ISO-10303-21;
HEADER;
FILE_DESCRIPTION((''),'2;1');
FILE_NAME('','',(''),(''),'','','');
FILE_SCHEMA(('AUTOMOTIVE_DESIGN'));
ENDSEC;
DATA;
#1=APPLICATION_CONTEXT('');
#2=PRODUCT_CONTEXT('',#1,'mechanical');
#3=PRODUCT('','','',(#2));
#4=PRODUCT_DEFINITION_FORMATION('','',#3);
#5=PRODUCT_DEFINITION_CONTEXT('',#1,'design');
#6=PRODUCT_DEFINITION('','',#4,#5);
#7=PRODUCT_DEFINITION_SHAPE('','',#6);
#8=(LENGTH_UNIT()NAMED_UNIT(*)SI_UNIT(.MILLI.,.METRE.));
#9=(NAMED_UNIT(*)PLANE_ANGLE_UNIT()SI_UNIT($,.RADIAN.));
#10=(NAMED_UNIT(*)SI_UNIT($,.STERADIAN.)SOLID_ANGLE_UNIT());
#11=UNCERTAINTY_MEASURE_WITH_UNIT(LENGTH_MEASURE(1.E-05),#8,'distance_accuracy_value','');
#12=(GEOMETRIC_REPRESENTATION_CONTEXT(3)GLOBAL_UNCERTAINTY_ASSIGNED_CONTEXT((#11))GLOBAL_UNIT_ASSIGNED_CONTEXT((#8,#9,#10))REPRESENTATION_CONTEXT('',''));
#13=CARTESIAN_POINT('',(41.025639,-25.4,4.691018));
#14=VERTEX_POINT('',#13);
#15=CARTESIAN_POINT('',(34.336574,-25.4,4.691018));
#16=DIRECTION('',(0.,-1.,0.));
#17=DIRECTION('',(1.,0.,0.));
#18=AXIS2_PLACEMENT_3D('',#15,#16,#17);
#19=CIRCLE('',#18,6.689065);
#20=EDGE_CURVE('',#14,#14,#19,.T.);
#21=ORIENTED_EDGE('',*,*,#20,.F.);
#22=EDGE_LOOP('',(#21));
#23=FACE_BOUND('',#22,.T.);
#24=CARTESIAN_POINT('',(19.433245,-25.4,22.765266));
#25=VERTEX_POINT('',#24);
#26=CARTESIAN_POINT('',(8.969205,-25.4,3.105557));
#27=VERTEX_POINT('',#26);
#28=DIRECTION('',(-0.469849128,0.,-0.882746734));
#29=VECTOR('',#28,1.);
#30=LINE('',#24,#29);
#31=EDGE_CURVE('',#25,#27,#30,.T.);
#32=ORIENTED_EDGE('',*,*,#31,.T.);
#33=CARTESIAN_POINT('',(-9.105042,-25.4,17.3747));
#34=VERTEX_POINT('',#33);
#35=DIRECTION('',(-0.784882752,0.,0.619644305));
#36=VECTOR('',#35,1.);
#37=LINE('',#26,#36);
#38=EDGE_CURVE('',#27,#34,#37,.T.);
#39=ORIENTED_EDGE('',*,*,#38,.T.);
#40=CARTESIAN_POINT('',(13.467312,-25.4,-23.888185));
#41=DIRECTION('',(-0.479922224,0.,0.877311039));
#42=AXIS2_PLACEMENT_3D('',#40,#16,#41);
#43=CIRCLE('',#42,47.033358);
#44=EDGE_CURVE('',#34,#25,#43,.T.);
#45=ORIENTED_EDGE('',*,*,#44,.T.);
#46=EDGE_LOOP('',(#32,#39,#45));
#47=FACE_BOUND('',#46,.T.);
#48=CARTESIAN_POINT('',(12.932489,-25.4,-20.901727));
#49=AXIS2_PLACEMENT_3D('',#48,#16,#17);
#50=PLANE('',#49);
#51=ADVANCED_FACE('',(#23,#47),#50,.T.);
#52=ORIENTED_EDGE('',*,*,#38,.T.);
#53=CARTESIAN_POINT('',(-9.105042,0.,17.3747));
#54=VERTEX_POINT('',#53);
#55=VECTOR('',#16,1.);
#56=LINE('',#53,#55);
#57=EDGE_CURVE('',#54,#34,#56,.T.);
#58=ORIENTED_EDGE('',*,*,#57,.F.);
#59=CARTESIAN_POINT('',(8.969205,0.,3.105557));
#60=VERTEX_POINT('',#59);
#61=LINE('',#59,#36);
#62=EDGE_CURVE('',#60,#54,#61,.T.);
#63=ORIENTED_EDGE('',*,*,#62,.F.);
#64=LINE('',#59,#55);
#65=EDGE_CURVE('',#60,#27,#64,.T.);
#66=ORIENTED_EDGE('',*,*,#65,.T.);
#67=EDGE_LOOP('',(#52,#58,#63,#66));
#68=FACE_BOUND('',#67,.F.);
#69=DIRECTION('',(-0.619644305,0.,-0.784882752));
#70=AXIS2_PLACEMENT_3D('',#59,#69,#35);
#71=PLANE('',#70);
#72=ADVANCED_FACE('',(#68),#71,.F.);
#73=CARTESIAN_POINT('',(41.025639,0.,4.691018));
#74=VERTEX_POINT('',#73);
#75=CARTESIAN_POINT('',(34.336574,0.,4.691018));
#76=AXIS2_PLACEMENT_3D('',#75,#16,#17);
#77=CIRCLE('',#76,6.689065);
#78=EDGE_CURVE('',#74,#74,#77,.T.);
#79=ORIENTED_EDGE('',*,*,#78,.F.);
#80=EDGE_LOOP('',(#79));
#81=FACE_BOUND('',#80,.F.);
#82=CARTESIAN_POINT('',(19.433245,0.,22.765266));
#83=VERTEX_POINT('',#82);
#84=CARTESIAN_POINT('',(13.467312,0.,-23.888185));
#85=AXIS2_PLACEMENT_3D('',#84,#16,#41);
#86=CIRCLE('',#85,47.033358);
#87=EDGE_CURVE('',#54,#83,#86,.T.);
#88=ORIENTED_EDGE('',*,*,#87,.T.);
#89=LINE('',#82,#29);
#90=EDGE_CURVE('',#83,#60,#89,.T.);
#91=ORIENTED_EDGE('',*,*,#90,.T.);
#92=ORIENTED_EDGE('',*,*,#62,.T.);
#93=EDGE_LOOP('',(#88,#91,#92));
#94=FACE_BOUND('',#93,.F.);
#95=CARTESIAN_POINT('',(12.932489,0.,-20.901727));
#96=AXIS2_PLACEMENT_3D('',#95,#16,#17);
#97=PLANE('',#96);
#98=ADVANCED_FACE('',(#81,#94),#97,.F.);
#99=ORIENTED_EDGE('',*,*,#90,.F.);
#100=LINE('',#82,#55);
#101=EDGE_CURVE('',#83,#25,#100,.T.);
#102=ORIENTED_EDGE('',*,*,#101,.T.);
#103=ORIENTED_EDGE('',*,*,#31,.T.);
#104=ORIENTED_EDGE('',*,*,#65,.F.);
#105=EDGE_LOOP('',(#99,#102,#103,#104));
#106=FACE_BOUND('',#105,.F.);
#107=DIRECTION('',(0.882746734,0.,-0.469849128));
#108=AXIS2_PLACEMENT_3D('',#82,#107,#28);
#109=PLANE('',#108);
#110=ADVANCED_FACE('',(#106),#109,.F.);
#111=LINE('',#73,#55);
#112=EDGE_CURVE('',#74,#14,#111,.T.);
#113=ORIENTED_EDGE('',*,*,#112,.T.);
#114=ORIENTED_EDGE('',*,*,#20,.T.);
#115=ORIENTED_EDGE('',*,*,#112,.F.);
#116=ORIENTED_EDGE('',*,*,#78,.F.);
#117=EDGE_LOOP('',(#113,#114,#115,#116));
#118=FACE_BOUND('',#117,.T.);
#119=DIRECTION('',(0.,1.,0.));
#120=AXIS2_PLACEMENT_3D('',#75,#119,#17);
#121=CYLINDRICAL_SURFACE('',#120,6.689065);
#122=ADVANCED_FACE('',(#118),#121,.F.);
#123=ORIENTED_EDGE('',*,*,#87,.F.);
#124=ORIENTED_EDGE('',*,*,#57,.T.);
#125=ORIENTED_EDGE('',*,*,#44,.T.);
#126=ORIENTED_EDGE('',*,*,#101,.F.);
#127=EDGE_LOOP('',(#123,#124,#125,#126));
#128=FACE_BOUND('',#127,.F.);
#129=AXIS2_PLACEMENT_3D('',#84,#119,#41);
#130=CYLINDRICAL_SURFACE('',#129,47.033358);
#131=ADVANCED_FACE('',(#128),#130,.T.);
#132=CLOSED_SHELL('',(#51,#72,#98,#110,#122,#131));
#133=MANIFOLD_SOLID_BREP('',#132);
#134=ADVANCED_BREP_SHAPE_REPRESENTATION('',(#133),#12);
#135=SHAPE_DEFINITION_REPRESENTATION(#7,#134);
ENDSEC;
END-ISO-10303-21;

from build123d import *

# Parameters (mm, degrees)
F0_R     = 6.689065
F1_DEPTH = 25.4


with BuildPart() as f1:
    # F0 (on Front) → F1 (new body)
    with BuildSketch(Plane.XZ):
        with BuildLine():
            Line((8.969205, 3.105557), (-9.105042, 17.3747))
            ThreePointArc((-9.105042, 17.3747), (22.197023, -70.104296), (19.433245, 22.765266))
            Line((19.433245, 22.765266), (8.969205, 3.105557))
        make_face()
        with Locations((34.336574, 4.691018)):
            Circle(F0_R, mode=Mode.SUBTRACT)
    extrude(amount=F1_DEPTH)


solid = f1.part
